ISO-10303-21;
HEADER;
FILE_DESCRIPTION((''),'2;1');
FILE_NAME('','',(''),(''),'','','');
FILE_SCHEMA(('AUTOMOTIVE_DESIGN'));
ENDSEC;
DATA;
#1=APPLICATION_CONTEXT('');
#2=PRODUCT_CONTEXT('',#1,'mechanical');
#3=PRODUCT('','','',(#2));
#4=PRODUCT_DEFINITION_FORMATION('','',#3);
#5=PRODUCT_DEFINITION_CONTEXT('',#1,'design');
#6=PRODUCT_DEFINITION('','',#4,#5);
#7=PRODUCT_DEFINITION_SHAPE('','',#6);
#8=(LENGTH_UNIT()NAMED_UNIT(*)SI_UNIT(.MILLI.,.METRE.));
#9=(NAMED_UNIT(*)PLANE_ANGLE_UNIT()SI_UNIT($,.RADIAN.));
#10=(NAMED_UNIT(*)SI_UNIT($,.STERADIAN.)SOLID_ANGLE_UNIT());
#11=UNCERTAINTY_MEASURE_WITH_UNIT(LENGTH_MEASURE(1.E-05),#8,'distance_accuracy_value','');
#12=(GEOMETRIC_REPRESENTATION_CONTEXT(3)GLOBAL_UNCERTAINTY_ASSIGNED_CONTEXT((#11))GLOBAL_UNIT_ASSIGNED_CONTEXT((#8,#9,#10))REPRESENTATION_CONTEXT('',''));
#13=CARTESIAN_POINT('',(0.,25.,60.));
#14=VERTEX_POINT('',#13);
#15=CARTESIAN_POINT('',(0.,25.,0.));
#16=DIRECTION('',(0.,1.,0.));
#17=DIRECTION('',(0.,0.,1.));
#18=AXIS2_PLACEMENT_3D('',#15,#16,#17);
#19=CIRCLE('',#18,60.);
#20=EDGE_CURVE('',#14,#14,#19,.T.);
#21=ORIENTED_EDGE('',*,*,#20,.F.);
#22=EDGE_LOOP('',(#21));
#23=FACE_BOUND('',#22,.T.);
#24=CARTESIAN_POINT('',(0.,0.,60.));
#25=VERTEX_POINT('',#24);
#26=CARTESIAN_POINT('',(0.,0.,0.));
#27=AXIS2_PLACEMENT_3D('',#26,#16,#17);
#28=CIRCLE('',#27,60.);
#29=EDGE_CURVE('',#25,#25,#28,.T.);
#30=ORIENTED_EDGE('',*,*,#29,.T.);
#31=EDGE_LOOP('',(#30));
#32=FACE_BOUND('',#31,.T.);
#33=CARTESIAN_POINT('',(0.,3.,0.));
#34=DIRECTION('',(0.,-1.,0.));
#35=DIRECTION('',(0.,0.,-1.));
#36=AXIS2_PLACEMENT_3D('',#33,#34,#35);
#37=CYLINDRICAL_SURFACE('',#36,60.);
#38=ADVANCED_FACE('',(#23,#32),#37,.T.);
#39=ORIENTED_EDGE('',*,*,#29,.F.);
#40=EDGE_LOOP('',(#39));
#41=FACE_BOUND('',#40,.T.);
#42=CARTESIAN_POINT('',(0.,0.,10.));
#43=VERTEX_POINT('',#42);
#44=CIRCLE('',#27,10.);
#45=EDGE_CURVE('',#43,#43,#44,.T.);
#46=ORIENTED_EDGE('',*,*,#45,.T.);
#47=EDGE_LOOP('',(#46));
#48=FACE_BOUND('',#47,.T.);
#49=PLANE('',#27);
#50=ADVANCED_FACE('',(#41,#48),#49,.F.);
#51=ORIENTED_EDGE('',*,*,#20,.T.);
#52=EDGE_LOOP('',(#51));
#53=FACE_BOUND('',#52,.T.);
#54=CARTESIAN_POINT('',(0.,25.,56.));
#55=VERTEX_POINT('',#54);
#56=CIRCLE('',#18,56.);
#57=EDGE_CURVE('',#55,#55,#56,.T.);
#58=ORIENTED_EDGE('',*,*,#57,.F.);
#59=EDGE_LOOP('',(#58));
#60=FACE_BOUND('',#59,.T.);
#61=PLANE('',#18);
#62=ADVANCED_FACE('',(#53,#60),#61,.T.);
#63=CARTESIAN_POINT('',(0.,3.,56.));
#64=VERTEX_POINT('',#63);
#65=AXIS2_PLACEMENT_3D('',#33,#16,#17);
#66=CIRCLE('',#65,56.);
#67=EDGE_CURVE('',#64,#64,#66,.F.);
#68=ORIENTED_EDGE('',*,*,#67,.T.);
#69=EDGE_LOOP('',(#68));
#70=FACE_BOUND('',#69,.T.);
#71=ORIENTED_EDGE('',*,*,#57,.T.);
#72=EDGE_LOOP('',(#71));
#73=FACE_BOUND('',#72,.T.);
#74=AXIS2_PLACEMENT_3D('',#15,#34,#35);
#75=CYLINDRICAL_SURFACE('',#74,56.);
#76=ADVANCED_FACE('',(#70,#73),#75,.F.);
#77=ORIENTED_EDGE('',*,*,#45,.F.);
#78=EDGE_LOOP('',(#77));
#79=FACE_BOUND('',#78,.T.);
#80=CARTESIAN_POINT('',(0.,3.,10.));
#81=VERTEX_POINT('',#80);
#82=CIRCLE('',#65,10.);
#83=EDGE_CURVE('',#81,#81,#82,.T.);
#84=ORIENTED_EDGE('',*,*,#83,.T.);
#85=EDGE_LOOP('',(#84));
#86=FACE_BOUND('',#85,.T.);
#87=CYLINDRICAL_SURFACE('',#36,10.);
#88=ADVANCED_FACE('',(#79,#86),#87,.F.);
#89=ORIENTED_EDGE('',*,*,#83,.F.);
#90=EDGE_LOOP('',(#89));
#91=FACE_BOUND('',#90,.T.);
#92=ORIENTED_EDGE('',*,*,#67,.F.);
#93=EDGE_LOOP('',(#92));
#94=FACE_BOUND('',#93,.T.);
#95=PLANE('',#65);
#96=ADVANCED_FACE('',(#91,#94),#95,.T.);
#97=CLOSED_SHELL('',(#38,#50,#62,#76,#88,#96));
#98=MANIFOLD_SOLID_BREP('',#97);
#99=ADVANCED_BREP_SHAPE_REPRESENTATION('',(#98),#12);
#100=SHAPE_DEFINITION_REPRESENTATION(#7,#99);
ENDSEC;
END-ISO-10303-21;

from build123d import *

# Parameters (mm, degrees)
PUCK_BASE_SKETCH_R   = 60
PUCK_BASE_SKETCH_R_2 = 10
PUCK_BASE_DEPTH      = 3
PUCK_WALL_SKETCH_R   = 60
PUCK_WALL_SKETCH_R_2 = 56
PUCK_WALL_DEPTH      = 25


with BuildPart() as part:
    # Puck Base Sketch → Puck Base (new body)
    with BuildSketch(Plane(origin=(0, 0, 0), x_dir=(1, 0, 0), z_dir=(0, 1, 0))):
        with Locations(Location((0, 0, 0), (0, 0, 270))):
            Circle(PUCK_BASE_SKETCH_R)
        with Locations(Location((0, 0, 0), (0, 0, 270))):
            Circle(PUCK_BASE_SKETCH_R_2, mode=Mode.SUBTRACT)
    extrude(amount=PUCK_BASE_DEPTH)

    # Puck Wall Sketch → Puck Wall (add)
    with BuildSketch(Plane(origin=(0, 0, 0), x_dir=(1, 0, 0), z_dir=(0, 1, 0))):
        with Locations(Location((0, 0, 0), (0, 0, 270))):
            Circle(PUCK_WALL_SKETCH_R)
        with Locations(Location((0, 0, 0), (0, 0, 270))):
            Circle(PUCK_WALL_SKETCH_R_2, mode=Mode.SUBTRACT)
    extrude(amount=PUCK_WALL_DEPTH)


solid = part.part
